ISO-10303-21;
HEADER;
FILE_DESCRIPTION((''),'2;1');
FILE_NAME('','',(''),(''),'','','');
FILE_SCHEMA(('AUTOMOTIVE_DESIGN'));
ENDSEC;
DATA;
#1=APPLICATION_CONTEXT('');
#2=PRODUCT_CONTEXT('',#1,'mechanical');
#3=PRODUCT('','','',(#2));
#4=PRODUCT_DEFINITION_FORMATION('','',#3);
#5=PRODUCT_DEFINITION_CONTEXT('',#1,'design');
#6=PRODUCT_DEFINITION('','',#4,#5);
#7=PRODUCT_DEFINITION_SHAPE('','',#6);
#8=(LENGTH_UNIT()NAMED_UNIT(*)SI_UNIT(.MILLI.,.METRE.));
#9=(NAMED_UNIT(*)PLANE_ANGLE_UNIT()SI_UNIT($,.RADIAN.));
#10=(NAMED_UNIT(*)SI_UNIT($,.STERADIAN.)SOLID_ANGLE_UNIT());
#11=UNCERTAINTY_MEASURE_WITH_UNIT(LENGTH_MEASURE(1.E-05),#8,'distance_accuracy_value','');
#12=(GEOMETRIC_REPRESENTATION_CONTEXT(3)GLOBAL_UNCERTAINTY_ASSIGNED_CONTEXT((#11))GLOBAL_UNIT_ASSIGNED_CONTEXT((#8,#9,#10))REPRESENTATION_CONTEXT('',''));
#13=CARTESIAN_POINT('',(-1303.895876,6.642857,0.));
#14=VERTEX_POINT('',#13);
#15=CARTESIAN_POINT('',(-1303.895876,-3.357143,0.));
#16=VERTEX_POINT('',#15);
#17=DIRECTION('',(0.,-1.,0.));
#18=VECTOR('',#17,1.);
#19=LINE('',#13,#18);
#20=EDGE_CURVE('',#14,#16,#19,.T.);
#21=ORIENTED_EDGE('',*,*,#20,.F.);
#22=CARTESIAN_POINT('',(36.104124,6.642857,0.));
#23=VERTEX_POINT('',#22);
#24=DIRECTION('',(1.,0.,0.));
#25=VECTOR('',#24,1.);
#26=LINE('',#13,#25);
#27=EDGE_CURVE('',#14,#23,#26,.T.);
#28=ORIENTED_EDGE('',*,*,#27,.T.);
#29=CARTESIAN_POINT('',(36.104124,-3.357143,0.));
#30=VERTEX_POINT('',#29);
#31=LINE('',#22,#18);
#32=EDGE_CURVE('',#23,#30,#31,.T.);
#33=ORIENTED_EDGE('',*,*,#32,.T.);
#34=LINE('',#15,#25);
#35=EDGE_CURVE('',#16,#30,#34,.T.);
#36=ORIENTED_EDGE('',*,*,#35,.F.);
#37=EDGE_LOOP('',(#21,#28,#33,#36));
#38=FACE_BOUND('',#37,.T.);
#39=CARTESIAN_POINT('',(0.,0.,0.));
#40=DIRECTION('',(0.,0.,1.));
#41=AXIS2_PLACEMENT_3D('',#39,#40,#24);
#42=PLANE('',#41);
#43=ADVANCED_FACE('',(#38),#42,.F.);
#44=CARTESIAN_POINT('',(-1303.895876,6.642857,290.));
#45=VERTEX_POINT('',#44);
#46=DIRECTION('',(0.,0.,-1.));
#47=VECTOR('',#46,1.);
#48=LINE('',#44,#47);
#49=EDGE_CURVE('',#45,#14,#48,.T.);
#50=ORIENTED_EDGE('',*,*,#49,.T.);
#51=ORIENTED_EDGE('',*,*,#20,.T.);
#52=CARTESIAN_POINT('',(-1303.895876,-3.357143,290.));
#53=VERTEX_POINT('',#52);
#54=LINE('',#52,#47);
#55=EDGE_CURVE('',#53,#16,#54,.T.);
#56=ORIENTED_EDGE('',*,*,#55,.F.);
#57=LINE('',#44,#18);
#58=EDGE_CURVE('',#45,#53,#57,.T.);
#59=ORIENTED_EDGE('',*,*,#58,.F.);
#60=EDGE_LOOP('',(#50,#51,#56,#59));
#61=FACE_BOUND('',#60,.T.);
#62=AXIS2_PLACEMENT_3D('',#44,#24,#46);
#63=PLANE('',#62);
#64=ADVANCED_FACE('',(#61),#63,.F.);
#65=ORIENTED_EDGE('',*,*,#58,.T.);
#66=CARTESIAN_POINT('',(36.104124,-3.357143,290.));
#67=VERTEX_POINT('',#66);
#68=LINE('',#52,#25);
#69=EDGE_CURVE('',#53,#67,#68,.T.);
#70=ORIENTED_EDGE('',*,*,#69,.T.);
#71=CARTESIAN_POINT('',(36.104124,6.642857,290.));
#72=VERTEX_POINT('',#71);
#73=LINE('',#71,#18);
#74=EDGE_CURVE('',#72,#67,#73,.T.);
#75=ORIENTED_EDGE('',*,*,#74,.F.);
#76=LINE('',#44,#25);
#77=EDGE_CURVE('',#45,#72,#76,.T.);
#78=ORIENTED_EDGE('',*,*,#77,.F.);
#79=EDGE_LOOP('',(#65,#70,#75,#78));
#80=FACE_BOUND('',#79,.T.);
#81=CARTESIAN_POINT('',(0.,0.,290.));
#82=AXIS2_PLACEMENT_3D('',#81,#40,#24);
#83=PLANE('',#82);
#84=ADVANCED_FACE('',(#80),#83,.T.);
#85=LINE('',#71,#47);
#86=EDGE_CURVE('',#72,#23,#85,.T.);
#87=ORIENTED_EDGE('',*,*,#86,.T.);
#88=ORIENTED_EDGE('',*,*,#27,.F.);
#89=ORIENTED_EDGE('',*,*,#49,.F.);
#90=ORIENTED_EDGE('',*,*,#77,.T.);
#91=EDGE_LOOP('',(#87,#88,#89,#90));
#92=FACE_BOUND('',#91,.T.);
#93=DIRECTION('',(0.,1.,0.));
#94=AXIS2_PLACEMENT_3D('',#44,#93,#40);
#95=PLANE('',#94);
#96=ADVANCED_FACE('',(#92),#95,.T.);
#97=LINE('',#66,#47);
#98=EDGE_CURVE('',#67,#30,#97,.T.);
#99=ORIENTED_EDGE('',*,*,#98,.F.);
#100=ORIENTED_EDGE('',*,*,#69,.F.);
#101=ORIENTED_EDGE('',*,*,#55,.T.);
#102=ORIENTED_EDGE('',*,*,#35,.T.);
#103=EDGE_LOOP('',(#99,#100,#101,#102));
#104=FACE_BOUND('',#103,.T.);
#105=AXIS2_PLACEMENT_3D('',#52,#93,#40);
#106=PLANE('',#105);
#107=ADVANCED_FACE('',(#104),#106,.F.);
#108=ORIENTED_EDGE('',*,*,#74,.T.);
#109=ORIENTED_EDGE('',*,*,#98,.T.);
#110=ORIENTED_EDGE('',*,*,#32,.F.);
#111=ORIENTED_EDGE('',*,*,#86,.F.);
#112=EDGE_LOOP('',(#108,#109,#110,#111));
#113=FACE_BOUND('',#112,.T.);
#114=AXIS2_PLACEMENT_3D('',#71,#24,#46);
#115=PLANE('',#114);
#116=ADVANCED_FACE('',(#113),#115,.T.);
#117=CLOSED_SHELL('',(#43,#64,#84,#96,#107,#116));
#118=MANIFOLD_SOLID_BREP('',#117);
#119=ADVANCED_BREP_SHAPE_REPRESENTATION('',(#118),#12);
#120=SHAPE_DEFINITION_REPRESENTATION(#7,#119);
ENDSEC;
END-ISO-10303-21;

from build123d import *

# Parameters (mm, degrees)
SZKIC1_W                    = 1340
SZKIC1_H                    = 10
DODANIE_WYCI_GNI_CIE1_DEPTH = 290


with BuildPart() as part:
    # Szkic1 → Dodanie-wyciągnięcie1 (new body)
    with BuildSketch(Plane.XY):
        with Locations((-633.895875804, 1.642857143)):
            Rectangle(SZKIC1_W, SZKIC1_H)
    extrude(amount=DODANIE_WYCI_GNI_CIE1_DEPTH)


solid = part.part
